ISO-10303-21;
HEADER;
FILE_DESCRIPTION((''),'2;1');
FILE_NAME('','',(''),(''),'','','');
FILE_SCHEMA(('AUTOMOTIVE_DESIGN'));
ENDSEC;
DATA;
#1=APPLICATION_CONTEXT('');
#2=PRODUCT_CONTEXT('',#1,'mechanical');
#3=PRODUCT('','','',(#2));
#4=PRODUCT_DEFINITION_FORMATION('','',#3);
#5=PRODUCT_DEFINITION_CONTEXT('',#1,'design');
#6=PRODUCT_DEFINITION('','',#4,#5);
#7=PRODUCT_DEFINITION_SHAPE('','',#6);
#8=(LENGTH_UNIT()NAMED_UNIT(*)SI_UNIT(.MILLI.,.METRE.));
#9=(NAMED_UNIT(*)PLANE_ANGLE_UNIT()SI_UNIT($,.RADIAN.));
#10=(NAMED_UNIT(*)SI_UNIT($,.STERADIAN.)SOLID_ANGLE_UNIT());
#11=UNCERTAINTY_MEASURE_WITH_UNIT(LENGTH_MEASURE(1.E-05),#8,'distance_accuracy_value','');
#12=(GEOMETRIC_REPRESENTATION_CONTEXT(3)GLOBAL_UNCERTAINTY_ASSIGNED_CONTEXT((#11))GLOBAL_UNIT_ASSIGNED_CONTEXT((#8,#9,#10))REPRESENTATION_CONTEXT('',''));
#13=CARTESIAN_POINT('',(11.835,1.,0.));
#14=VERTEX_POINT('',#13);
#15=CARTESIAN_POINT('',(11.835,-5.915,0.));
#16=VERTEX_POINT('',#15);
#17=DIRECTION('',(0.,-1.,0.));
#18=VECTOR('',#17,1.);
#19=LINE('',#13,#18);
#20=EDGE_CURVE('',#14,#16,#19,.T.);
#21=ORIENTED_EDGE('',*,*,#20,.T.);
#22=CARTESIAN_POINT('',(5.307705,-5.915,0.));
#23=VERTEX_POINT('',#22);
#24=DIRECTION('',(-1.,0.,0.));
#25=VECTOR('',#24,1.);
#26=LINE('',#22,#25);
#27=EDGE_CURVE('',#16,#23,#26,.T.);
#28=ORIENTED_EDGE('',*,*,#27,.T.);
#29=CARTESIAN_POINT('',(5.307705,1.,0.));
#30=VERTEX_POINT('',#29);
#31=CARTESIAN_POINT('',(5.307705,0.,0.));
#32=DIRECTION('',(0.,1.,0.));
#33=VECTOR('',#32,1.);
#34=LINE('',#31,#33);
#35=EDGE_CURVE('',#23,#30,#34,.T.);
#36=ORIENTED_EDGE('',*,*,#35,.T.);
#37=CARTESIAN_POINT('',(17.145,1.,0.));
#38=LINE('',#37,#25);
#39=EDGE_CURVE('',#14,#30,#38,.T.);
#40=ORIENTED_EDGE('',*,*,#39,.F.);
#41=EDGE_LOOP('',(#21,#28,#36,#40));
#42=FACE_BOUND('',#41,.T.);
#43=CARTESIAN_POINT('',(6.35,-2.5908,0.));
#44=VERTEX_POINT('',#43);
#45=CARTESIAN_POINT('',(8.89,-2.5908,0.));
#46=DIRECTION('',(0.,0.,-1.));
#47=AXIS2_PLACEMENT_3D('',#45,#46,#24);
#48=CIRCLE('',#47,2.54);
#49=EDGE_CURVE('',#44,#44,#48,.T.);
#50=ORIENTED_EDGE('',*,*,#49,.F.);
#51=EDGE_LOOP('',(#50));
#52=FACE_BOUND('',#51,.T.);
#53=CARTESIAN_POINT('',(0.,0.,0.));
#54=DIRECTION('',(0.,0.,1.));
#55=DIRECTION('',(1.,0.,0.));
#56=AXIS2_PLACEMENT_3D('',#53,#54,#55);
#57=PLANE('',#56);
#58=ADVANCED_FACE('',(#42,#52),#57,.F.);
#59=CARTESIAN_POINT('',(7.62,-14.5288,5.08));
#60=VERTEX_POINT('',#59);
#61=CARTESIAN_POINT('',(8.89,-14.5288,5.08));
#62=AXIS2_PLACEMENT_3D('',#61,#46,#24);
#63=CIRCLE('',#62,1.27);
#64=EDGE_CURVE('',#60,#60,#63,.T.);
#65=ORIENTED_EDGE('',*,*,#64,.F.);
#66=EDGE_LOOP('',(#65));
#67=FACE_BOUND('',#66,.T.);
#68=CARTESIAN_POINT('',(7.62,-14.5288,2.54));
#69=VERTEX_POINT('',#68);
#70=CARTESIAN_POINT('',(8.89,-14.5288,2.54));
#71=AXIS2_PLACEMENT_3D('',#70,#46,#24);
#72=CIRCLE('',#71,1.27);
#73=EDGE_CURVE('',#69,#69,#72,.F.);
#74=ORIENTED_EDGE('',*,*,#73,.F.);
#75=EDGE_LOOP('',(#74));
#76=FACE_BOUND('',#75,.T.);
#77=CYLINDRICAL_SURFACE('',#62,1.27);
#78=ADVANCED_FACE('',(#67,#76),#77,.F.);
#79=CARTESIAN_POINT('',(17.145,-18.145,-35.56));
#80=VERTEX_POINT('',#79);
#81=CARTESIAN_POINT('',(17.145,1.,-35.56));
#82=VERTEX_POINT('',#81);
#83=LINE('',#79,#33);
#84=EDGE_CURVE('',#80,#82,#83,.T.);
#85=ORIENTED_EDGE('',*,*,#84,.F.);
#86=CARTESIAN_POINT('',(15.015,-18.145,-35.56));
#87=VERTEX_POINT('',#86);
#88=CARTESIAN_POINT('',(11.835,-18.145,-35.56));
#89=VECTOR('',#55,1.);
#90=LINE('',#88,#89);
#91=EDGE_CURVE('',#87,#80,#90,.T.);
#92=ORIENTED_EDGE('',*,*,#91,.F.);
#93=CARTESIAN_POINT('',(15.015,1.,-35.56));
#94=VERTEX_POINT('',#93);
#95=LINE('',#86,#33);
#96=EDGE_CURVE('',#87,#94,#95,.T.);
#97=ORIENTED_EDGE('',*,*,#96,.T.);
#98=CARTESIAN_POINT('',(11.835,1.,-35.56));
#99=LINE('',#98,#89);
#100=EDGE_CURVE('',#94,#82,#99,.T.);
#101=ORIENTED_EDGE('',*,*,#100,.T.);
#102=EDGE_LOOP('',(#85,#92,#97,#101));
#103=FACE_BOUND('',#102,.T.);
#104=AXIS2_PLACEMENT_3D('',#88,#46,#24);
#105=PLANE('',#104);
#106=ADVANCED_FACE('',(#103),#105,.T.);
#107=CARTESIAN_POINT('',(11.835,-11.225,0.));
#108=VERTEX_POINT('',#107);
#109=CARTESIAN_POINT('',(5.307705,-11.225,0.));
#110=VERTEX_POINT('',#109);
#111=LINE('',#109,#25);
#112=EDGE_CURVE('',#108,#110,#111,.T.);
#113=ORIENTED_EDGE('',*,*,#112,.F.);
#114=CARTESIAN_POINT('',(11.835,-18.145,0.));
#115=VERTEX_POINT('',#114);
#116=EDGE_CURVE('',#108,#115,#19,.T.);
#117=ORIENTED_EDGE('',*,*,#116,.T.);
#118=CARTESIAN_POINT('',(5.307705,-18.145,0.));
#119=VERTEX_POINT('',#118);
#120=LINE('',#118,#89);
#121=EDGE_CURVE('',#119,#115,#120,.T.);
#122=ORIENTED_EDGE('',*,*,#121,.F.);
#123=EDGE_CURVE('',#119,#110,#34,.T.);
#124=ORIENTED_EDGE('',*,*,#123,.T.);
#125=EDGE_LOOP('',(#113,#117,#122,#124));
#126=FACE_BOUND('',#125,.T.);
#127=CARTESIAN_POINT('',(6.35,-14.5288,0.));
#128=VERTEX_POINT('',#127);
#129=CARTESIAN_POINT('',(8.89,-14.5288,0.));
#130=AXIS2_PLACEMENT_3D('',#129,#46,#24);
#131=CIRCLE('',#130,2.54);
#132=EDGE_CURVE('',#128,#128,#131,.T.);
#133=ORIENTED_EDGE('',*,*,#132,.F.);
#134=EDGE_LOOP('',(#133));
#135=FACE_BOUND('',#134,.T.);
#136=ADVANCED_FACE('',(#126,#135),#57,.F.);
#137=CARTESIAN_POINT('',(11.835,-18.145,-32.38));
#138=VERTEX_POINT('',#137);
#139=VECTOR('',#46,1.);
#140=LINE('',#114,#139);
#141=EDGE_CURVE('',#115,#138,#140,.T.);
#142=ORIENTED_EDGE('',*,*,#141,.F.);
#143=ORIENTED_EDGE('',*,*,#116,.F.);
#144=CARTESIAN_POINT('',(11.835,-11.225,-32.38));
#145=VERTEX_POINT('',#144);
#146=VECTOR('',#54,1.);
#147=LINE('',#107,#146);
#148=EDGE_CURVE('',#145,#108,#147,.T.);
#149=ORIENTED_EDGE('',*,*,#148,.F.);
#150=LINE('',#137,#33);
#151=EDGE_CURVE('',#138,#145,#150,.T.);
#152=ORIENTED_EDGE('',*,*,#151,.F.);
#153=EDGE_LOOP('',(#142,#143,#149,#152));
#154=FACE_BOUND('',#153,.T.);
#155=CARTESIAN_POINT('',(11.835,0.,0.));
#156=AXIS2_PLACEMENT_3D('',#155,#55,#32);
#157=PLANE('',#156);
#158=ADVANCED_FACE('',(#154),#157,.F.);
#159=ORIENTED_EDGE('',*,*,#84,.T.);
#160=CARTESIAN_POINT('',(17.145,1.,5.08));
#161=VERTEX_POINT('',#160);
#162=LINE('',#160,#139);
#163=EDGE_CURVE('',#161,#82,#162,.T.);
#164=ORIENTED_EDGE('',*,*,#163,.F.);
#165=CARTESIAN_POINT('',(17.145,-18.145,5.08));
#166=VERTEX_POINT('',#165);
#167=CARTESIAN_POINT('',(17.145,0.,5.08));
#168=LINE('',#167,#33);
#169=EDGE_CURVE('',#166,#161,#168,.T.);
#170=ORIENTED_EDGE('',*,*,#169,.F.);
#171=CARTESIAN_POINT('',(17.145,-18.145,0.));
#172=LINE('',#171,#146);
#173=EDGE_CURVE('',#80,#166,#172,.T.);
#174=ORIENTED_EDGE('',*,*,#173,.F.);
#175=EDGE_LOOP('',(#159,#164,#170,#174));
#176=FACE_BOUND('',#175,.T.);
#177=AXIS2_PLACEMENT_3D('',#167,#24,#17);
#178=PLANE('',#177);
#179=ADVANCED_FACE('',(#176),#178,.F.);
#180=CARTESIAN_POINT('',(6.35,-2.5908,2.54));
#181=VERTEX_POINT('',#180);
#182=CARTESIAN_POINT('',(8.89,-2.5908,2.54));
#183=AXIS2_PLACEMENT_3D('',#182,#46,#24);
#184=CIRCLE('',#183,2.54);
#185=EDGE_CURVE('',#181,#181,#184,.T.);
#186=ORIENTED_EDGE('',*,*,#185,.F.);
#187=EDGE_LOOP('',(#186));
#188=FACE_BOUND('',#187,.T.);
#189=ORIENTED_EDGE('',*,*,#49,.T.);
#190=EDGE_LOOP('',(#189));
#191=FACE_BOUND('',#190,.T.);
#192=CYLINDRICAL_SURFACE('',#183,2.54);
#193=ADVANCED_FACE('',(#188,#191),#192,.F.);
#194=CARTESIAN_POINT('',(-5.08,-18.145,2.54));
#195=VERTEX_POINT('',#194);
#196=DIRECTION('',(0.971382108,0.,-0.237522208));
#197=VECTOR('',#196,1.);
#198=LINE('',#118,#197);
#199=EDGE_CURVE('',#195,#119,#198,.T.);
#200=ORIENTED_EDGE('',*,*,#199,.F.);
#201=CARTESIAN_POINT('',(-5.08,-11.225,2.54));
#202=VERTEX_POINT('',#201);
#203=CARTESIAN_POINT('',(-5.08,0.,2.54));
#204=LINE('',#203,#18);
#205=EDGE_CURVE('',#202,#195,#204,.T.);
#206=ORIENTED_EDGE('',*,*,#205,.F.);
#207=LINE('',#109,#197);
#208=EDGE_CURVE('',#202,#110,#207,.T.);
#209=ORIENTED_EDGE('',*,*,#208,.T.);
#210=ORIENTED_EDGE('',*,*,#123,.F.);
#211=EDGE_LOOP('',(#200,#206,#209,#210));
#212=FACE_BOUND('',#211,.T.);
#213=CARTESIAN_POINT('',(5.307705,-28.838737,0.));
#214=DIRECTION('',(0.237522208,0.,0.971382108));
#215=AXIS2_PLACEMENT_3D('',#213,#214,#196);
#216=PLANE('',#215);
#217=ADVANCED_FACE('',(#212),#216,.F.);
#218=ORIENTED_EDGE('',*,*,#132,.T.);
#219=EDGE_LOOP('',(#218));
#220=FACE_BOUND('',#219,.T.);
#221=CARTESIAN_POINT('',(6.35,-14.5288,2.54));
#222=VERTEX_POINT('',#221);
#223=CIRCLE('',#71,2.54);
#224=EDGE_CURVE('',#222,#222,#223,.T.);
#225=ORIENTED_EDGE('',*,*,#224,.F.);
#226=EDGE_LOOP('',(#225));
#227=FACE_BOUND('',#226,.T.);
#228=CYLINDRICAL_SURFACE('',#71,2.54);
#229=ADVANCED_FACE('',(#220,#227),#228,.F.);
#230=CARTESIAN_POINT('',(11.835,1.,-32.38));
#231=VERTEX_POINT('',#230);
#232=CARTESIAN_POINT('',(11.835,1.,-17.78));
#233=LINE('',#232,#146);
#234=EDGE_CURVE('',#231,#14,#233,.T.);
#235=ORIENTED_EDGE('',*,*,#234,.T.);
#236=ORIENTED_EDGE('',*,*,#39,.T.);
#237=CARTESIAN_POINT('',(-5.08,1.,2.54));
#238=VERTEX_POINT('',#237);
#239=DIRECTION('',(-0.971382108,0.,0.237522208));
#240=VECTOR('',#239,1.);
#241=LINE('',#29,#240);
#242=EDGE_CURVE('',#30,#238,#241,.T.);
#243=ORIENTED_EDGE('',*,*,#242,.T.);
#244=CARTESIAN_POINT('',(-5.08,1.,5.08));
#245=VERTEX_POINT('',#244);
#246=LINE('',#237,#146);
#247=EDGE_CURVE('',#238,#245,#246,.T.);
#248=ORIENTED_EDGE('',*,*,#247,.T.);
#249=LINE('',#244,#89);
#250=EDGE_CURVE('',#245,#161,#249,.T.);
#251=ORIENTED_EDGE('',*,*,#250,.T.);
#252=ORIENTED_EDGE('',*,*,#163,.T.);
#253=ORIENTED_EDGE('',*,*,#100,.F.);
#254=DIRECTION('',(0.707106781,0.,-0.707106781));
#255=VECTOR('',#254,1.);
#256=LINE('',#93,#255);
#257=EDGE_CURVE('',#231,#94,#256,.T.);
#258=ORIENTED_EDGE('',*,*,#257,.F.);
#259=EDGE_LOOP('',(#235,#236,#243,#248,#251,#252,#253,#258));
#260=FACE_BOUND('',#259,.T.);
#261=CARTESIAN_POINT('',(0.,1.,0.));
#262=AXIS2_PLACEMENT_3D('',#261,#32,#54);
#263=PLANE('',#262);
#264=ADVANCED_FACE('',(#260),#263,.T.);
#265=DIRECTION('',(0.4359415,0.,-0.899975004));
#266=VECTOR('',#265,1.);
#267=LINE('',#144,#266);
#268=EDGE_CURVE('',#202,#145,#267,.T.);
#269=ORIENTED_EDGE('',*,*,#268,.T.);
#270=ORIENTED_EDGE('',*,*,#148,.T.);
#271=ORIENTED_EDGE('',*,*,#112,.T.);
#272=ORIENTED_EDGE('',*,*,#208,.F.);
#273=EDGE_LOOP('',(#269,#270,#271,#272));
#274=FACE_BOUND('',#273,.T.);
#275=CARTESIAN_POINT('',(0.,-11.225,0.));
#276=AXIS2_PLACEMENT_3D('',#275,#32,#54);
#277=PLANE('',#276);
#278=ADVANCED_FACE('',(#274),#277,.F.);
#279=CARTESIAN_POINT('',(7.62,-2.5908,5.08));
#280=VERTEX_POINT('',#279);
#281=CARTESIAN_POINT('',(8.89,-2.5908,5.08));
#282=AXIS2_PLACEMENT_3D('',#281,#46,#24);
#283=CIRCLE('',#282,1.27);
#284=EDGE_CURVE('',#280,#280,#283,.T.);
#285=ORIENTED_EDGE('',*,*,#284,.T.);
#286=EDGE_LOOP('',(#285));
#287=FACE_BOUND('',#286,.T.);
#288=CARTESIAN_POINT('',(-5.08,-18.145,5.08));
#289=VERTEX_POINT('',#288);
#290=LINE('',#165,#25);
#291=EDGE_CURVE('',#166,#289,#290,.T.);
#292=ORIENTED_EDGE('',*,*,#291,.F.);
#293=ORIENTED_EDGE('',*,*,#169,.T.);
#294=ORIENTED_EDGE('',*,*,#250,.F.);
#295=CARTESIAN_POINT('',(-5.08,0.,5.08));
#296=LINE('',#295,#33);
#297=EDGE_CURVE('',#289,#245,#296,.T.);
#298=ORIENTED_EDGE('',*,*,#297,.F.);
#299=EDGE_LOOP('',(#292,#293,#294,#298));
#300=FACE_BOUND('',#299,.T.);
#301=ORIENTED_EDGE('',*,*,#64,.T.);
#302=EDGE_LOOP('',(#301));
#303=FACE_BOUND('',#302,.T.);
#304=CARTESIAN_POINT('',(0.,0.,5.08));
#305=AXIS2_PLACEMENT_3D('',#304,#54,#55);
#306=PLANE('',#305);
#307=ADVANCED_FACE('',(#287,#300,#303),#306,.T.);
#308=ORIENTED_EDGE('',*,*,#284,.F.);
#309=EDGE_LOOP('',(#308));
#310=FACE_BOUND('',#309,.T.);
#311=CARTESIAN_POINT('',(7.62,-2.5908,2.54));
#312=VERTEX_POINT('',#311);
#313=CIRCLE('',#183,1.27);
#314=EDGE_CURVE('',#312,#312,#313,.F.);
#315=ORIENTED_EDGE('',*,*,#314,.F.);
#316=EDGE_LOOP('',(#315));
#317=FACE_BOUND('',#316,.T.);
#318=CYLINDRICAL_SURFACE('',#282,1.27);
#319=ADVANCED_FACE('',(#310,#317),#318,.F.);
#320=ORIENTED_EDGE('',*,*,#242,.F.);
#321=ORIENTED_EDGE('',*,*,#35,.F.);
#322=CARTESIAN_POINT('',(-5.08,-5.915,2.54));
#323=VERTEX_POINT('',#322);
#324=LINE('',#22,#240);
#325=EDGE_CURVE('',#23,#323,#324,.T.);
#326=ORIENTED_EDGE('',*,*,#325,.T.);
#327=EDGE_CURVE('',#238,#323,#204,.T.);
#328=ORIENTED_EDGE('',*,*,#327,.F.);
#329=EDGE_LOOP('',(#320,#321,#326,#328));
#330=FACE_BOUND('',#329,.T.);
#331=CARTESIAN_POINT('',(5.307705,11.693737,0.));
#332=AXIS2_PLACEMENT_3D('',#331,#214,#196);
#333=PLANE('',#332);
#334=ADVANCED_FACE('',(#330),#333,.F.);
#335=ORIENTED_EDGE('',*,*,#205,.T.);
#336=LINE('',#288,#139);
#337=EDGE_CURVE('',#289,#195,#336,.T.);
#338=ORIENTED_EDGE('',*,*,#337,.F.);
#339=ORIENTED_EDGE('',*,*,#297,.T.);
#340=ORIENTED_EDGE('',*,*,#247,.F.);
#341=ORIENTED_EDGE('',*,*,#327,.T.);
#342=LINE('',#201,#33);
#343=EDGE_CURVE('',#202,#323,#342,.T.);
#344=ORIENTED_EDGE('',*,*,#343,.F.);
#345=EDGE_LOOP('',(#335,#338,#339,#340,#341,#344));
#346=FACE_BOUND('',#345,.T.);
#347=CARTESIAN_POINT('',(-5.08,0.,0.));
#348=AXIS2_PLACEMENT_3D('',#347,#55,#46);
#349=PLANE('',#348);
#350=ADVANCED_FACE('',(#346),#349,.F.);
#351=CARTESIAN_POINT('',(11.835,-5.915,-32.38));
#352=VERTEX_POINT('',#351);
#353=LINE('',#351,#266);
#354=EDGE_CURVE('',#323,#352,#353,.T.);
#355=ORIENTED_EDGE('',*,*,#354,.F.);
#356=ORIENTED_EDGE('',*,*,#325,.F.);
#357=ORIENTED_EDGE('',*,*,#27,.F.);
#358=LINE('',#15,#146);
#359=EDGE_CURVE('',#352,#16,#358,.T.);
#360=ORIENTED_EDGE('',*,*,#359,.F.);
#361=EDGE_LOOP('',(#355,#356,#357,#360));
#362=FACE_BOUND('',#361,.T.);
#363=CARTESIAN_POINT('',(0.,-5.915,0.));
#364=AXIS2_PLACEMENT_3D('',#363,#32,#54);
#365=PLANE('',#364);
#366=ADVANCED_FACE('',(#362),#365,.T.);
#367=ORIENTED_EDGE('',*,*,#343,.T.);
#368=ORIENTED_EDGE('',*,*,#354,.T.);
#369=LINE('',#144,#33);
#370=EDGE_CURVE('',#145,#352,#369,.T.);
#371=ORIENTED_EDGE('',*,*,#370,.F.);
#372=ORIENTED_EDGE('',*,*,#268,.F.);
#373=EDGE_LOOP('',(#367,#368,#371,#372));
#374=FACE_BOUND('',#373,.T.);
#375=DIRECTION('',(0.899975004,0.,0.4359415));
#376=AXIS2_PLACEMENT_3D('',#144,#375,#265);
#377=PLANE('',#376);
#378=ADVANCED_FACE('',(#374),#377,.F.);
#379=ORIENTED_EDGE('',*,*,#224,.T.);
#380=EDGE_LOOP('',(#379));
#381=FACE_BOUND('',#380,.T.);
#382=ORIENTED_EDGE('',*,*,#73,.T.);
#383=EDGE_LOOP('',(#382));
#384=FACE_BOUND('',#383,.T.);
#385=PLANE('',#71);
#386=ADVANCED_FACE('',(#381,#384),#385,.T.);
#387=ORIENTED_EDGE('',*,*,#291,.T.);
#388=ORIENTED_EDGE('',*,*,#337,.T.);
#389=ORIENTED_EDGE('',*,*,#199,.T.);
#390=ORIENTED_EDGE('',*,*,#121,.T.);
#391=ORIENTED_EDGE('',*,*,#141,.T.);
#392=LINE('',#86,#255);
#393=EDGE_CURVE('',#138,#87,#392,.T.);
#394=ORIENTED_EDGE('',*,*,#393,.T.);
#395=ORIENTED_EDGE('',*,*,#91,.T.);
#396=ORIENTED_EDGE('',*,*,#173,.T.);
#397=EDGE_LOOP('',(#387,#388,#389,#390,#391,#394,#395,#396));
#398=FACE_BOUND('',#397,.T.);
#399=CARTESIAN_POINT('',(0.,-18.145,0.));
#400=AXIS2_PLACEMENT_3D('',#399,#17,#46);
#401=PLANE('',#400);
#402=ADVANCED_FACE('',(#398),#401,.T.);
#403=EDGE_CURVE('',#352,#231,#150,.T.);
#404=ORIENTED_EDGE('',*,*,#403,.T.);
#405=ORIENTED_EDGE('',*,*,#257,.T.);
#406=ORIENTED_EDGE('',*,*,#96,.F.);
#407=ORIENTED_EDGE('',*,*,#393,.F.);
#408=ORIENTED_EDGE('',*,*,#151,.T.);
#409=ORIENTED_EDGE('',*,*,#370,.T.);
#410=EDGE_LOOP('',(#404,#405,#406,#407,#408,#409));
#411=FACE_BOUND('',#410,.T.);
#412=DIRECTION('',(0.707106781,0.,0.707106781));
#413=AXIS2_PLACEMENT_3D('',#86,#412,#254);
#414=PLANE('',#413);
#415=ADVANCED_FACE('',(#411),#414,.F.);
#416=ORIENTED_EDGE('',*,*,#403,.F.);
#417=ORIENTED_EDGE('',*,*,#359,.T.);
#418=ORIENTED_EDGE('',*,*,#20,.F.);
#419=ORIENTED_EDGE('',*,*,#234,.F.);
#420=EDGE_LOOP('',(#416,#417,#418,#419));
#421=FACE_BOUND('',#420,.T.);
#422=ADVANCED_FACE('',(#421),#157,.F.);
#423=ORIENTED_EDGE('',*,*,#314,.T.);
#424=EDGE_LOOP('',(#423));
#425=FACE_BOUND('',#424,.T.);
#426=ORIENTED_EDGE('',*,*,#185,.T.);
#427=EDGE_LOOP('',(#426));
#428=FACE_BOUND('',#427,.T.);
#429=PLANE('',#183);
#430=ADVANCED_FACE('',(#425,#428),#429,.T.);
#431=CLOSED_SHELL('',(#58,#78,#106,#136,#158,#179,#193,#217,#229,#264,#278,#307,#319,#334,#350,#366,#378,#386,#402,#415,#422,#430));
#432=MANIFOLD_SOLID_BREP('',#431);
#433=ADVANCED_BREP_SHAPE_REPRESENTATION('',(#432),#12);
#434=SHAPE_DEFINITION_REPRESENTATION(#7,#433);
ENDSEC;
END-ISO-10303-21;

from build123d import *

# Parameters (mm, degrees)
SKETCH1_W           = 17.145
SKETCH1_H           = 17.145
BOSS_EXTRUDE1_DEPTH = 5.08
SKETCH2_R           = 1.27
CUT_EXTRUDE1_DEPTH  = 25.773139688
SKETCH3_R           = 2.54
CUT_EXTRUDE4_DEPTH  = 2.54
SKETCH4_W           = 6.307704678
SKETCH4_H           = 17.145
BOSS_EXTRUDE2_DEPTH = 17.78
SKETCH5_W           = 2.54
SKETCH5_H           = 17.145
BOSS_EXTRUDE3_DEPTH = 5.08
CHAMFER1_SIZE       = 3.175
BOSS_EXTRUDE4_DEPTH = 2.54
BOSS_EXTRUDE5_DEPTH = 2.54
SKETCH9_W           = 1
SKETCH9_H           = 17.145
CUT_EXTRUDE5_DEPTH  = 17.78
EXTRUDE_1_DEPTH     = 1
EXTRUDE_2_DEPTH     = 1
EXTRUDE_3_DEPTH     = 5.31
CUT_EXTRUDE_1_DEPTH = 44.874772364
CUT_EXTRUDE_2_DEPTH = 44.874772364
EXTRUDE_4_DEPTH     = 2.655
EXTRUDE_5_DEPTH     = 6.915
EXTRUDE_6_DEPTH     = 6.92


with BuildPart() as part:
    # Sketch1 → Boss-Extrude1 (new body)
    with BuildSketch(Plane.XY):
        with Locations((8.5725, -8.5725)):
            Rectangle(SKETCH1_W, SKETCH1_H)
    extrude(amount=BOSS_EXTRUDE1_DEPTH)

    # Sketch2 → Cut-Extrude1 (cut, through all)
    with BuildSketch(Plane(origin=(0, 0, 0), x_dir=(-1, 0, 0), z_dir=(0, 0, -1))):
        with Locations((-8.89, -2.5908)):
            Circle(SKETCH2_R)
        with Locations((-8.89, -14.5288)):
            Circle(SKETCH2_R)
    extrude(amount=-CUT_EXTRUDE1_DEPTH, mode=Mode.SUBTRACT)

    # Sketch3 → Cut-Extrude4 (cut)
    with BuildSketch(Plane(origin=(0, 0, 0), x_dir=(-1, 0, 0), z_dir=(0, 0, -1))):
        with Locations((-8.89, -2.5908)):
            Circle(SKETCH3_R)
        with Locations((-8.89, -14.5288)):
            Circle(SKETCH3_R)
    extrude(amount=-CUT_EXTRUDE4_DEPTH, mode=Mode.SUBTRACT)

    # Sketch4 → Boss-Extrude2 (add)
    with BuildSketch(Plane(origin=(0, 0, 0), x_dir=(-1, 0, 0), z_dir=(0, 0, -1))):
        with Locations((-3.153852339, -8.5725)):
            Rectangle(SKETCH4_W, SKETCH4_H)
    extrude(amount=BOSS_EXTRUDE2_DEPTH)

    # Sketch5 → Boss-Extrude3 (add)
    with BuildSketch(Plane.ZY):
        with Locations((3.81, -8.5725)):
            Rectangle(SKETCH5_W, SKETCH5_H)
    extrude(amount=BOSS_EXTRUDE3_DEPTH)

    # Chamfer1
    chamfer1_edges = [part.edges().sort_by_distance(p)[0] for p in [
        (0, -8.5725, -17.78),
    ]]
    chamfer(chamfer1_edges, length=CHAMFER1_SIZE)

    # Sketch7 → Boss-Extrude4 (add)
    with BuildSketch(Plane(origin=(0, 0, 0), x_dir=(1, 0, 0), z_dir=(0, 1, 0))):
        Polygon((-5.08, -2.54), (0, 14.605), (0, -2.54), align=None)
    extrude(amount=-BOSS_EXTRUDE4_DEPTH)

    # Sketch8 → Boss-Extrude5 (add)
    with BuildSketch(Plane.XZ.offset(17.145)):
        Polygon((0, 2.54), (-5.08, 2.54), (0, -14.605), align=None)
    extrude(amount=-BOSS_EXTRUDE5_DEPTH)

    # Sketch9 → Cut-Extrude5 (cut)
    with BuildSketch(Plane(origin=(0, 0, -17.78), x_dir=(-1, 0, 0), z_dir=(0, 0, -1))):
        with Locations((-5.807704678, -8.5725)):
            Rectangle(SKETCH9_W, SKETCH9_H)
    extrude(amount=-CUT_EXTRUDE5_DEPTH, mode=Mode.SUBTRACT)

    # 草图1 → 凸台-拉伸1 (add)
    with BuildSketch(Plane(origin=(0, 0, 0), x_dir=(1, 0, 0), z_dir=(0, 1, 0))):
        Polygon((17.145, 0), (5.307704678, 0), (5.307704678, 17.78), (3.175, 17.78), (0, 14.605), (-5.08, -2.54), (-5.08, -5.08), (17.145, -5.08), align=None)
    extrude(amount=EXTRUDE_1_DEPTH)

    # 草图2 → 凸台-拉伸2 (add)
    with BuildSketch(Plane.XZ.offset(17.145)):
        Polygon((5.307704678, -17.78), (5.307704678, 0), (17.145, 0), (17.145, 5.08), (-5.08, 5.08), (-5.08, 2.54), (0, -14.605), (3.175, -17.78), align=None)
    extrude(amount=EXTRUDE_2_DEPTH)

    # 草图3 → 凸台-拉伸3 (add)
    with BuildSketch(Plane(origin=(17.145, 0, 0), x_dir=(0, 0, -1), z_dir=(1, 0, 0))):
        Polygon((17.78, -18.145), (35.56, -18.145), (35.56, 1), (17.78, 1), (0, 1), (0, -18.145), align=None)
    extrude(amount=-EXTRUDE_3_DEPTH)

    # 草图4 → 切除-拉伸1 (cut, through all)
    with BuildSketch(Plane(origin=(0, 1, 0), x_dir=(1, 0, 0), z_dir=(0, 1, 0))):
        Polygon((15.015, 35.56), (11.835, 32.38), (11.835, 35.56), align=None)
    extrude(amount=-CUT_EXTRUDE_1_DEPTH, mode=Mode.SUBTRACT)

    # 草图5 → 切除-拉伸2 (cut, through all)
    with BuildSketch(Plane(origin=(0, 1, 0), x_dir=(1, 0, 0), z_dir=(0, 1, 0))):
        Polygon((0, 14.605), (-5.08, -2.54), (5.307704678, -2.54), (5.307704678, 0), (5.307704678, 17.78), (3.175, 17.78), align=None)
    extrude(amount=-CUT_EXTRUDE_2_DEPTH, mode=Mode.SUBTRACT)

    # 草图6 → 凸台-拉伸4 (add, symmetric)
    with BuildSketch(Plane(origin=(0, -8.57, 0), x_dir=(-1, 0, 0), z_dir=(0, -1, 0))):
        Polygon((-11.835, 0), (-11.835, 32.38), (5.08, -2.54), (-5.307704678, -2.54), (-5.307704678, 0), align=None)
    extrude(amount=EXTRUDE_4_DEPTH, both=True)

    # 草图7 → 凸台-拉伸5 (add)
    with BuildSketch(Plane(origin=(0, -5.915, 0), x_dir=(1, 0, 0), z_dir=(0, 1, 0))):
        Polygon((5.307704678, -2.54), (-5.08, -2.54), (5.307704678, 0), align=None)
    extrude(amount=EXTRUDE_5_DEPTH)

    # 草图8 → 凸台-拉伸6 (add)
    with BuildSketch(Plane.XZ.offset(11.225)):
        Polygon((-5.08, 2.54), (5.307704678, 2.54), (5.307704678, 0), align=None)
    extrude(amount=EXTRUDE_6_DEPTH)


solid = part.part
